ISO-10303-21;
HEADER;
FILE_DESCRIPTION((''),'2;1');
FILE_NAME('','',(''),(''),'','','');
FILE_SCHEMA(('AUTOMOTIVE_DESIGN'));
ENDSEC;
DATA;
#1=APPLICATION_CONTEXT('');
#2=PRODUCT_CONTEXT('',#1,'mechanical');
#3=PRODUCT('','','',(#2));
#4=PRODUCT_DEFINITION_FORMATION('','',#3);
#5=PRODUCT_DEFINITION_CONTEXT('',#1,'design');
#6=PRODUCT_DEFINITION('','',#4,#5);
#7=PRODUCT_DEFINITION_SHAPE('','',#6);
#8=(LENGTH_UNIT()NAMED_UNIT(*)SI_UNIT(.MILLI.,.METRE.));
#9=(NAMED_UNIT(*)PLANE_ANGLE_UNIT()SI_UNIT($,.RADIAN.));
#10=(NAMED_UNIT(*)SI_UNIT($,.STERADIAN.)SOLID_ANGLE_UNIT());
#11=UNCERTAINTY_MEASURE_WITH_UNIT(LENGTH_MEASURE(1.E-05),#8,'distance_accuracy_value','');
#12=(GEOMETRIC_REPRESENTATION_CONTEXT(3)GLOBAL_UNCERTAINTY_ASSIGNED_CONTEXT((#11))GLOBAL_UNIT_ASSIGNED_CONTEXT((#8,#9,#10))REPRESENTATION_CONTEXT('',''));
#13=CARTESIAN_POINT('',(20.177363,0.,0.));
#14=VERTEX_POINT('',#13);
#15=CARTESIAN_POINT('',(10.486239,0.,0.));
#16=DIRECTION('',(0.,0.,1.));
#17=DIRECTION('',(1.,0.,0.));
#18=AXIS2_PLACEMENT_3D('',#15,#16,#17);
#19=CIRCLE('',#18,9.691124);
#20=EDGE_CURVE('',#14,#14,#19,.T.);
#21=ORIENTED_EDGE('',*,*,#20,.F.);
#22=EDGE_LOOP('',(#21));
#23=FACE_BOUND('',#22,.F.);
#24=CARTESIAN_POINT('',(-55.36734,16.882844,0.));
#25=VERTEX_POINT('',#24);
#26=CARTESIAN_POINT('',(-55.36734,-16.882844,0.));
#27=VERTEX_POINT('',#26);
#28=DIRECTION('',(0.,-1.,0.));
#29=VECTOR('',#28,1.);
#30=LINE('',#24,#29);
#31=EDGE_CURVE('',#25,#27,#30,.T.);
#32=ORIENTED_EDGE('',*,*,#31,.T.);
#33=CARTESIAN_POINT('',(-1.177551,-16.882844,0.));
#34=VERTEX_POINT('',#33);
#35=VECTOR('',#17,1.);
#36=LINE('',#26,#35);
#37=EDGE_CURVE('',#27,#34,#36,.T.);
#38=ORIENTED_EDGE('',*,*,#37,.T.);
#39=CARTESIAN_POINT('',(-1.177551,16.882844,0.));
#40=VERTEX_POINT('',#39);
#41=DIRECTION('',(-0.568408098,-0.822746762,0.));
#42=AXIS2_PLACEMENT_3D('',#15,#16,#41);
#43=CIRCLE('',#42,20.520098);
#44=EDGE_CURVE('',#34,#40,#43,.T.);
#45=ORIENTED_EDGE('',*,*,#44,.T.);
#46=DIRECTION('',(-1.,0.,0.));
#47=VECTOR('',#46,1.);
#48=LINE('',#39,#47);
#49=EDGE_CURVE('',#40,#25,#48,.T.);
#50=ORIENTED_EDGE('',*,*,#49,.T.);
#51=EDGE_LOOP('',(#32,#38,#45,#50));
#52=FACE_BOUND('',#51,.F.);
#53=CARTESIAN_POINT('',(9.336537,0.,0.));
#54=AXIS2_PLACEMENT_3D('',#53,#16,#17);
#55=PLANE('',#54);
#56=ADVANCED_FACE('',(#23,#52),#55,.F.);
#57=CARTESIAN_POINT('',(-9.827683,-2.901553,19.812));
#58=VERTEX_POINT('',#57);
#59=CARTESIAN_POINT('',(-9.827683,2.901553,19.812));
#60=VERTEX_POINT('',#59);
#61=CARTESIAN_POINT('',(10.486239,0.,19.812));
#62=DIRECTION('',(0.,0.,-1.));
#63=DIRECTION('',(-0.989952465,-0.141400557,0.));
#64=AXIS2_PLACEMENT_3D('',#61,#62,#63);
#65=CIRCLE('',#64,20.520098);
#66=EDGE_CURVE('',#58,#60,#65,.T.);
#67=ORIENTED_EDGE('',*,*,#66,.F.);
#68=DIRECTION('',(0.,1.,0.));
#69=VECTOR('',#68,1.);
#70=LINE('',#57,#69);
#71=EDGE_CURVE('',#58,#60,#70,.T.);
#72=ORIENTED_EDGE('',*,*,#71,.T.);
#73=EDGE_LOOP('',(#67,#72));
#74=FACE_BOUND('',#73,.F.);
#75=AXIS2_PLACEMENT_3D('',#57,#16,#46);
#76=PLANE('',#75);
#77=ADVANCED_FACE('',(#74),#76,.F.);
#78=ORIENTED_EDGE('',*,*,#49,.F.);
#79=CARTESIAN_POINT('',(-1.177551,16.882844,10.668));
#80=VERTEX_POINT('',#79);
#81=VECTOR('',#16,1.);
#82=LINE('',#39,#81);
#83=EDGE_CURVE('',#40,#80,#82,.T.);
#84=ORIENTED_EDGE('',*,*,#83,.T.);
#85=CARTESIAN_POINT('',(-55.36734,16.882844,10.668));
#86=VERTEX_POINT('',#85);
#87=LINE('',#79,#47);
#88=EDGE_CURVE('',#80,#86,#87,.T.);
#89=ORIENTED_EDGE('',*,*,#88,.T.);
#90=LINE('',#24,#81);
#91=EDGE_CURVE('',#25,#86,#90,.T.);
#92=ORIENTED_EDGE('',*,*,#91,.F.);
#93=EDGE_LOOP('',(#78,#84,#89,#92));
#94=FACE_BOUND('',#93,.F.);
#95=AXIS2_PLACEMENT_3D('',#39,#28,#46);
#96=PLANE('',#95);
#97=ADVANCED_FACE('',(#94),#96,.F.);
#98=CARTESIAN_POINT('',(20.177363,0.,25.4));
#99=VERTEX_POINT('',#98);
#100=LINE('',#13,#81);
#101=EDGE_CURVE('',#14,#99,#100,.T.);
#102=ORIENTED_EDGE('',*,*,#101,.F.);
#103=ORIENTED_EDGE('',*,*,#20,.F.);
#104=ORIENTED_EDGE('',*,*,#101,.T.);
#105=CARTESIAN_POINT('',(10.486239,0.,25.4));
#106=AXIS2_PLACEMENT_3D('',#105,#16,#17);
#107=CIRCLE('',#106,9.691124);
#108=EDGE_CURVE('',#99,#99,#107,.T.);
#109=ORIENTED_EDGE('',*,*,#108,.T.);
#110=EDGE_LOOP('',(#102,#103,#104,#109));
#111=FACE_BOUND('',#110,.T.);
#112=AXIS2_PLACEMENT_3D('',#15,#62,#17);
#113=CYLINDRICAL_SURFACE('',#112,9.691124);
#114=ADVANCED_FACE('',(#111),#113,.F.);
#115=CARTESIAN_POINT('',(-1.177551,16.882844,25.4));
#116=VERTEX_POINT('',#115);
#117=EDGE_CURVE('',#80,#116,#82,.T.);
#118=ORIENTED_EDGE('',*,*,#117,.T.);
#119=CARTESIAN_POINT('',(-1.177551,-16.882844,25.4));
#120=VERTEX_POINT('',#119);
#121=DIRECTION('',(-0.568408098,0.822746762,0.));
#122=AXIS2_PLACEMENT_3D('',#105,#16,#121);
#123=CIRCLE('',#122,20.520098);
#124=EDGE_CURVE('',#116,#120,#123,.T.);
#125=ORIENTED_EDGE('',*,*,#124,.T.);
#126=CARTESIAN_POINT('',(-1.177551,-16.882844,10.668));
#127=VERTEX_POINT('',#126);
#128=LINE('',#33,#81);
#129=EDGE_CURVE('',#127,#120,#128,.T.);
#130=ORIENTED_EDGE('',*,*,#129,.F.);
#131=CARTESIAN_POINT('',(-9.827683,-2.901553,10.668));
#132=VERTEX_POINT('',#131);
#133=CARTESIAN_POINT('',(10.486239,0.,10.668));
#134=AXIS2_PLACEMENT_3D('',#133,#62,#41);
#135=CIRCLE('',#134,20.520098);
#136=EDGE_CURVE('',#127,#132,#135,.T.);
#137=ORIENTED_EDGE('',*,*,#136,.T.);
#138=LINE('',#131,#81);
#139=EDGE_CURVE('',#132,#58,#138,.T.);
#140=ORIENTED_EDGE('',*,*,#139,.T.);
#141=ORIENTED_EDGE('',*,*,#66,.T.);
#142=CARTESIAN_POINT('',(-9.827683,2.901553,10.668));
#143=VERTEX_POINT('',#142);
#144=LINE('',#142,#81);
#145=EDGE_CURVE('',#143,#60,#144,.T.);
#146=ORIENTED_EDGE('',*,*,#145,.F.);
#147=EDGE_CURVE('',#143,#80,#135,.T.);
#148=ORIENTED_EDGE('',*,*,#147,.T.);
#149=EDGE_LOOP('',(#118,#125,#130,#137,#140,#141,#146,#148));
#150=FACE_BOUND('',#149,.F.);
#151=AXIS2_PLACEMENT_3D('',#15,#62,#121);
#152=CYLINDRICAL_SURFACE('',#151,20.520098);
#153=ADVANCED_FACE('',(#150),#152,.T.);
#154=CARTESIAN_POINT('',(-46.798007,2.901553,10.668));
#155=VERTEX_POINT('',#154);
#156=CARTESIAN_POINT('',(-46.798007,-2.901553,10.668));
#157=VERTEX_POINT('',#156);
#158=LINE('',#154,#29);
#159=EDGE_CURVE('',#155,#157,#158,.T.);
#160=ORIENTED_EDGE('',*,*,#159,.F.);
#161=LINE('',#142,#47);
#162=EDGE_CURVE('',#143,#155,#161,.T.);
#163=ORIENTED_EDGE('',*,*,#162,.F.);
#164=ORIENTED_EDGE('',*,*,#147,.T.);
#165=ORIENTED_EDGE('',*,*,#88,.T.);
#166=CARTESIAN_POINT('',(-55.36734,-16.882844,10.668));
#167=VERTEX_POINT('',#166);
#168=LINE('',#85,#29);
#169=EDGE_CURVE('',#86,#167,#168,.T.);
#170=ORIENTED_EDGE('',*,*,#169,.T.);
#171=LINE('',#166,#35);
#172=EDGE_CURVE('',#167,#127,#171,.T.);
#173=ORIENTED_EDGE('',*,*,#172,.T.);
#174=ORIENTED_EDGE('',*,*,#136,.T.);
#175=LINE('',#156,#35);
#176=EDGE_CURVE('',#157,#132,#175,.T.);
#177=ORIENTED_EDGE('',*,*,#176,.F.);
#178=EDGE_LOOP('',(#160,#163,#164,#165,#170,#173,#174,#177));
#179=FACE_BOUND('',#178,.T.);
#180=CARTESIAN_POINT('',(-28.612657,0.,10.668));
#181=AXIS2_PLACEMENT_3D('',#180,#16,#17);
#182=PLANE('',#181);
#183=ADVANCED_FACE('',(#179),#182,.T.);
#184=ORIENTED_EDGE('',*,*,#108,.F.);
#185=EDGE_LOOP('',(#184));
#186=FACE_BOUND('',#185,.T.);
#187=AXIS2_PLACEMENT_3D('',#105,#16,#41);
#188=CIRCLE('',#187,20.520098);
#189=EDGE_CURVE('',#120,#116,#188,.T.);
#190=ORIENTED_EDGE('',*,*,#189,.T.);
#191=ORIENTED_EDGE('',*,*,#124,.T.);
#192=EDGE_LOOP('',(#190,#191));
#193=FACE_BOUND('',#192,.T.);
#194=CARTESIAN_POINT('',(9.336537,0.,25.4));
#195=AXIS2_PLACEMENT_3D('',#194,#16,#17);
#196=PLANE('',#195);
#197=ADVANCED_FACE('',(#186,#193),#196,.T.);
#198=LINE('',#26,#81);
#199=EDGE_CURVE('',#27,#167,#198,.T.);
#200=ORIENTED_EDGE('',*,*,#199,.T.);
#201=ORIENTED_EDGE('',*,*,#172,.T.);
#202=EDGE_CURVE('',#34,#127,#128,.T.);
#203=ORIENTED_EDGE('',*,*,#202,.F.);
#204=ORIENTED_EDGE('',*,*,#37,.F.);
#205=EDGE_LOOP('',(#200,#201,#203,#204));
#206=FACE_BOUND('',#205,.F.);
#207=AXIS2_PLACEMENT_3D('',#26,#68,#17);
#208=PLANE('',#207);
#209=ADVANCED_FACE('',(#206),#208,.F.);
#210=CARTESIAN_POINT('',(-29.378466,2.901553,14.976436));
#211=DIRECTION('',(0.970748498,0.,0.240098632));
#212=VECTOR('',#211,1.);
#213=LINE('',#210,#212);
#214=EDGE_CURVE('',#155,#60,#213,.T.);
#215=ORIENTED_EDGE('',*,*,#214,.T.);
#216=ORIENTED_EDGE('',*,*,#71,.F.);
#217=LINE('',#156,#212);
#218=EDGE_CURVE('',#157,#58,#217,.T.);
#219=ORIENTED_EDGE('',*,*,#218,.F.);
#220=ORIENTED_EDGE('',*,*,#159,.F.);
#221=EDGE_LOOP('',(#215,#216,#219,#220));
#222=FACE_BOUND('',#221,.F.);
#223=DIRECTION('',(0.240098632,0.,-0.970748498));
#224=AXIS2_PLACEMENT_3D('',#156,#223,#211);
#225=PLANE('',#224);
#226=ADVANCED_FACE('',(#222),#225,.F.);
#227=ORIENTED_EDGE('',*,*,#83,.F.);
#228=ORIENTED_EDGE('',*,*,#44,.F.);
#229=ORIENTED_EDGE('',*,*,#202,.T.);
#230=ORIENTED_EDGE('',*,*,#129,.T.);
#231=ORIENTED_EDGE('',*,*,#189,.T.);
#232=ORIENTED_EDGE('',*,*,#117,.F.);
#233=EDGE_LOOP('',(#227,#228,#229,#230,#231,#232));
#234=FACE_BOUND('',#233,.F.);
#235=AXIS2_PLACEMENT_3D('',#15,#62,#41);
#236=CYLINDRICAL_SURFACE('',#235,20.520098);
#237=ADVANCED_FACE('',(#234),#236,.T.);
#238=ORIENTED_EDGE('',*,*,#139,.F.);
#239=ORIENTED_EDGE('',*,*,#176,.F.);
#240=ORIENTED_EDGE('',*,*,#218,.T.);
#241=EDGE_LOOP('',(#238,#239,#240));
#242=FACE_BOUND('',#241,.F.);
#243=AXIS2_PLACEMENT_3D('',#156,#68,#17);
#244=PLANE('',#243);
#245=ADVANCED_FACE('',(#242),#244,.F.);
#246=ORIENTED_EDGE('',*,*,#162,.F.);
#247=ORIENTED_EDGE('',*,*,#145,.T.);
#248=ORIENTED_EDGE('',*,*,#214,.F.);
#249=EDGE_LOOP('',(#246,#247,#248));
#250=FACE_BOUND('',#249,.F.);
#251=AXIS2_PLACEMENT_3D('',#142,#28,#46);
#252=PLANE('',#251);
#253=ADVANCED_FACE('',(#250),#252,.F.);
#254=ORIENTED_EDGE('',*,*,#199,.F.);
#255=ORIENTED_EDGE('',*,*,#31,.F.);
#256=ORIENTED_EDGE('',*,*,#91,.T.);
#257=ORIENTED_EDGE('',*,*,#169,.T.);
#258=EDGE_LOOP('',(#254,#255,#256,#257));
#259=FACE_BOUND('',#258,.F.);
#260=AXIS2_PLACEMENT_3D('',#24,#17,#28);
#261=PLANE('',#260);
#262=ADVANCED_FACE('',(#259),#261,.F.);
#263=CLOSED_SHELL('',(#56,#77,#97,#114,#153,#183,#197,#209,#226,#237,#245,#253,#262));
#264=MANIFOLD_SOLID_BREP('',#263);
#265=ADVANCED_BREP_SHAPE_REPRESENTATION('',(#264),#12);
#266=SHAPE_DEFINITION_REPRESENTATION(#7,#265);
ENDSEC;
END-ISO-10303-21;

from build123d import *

# Parameters (mm, degrees)
F1_DEPTH = 10.668
F0_R     = 9.6911240881
F2_DEPTH = 25.4
F4_DEPTH = 9.144
F6_DEPTH = 23.4226514116


with BuildPart() as f1:
    # F0 (on Top) → F1 (new body)
    with BuildSketch(Plane.XY):
        with BuildLine():
            ThreePointArc((-1.1775513103, -16.8828442693), (-10.0338594761, 0), (-1.1775513103, 16.8828442693))
            Line((-1.1775513103, 16.8828442693), (-55.3673403338, 16.8828442693))
            Line((-55.3673403338, 16.8828442693), (-55.3673403338, -16.8828442693))
            Line((-55.3673403338, -16.8828442693), (-1.1775513103, -16.8828442693))
        make_face()
    extrude(amount=F1_DEPTH)

    # F0 (on Top) → F2 (join)
    with BuildSketch(Plane.XY):
        with BuildLine():
            ThreePointArc((31.0063367483, 0), (20.0186127494, 18.1716336717), (-1.1775513103, 16.8828442693))
            ThreePointArc((-1.1775513103, 16.8828442693), (-10.0338594761, 0), (-1.1775513103, -16.8828442693))
            ThreePointArc((-1.1775513103, -16.8828442693), (20.0186127494, -18.1716336717), (31.0063367483, 0))
        make_face()
        with Locations((10.4862386361, 0)):
            Circle(F0_R, mode=Mode.SUBTRACT)
    extrude(amount=F2_DEPTH)

    # F3 (on face) → F4 (join)
    with BuildSketch(Plane.XY.offset(10.668)):
        with BuildLine():
            ThreePointArc((-9.8276830676, -2.9015532994), (-10.0338594761, 0), (-9.8276830676, 2.9015532994))
            Line((-9.8276830676, 2.9015532994), (-46.7980072435, 2.9015532994))
            Line((-46.7980072435, 2.9015532994), (-46.7980072435, -2.9015532994))
            Line((-46.7980072435, -2.9015532994), (-9.8276830676, -2.9015532994))
        make_face()
    extrude(amount=F4_DEPTH)

    # F5 (on face) → F6 (cut, through all)
    with BuildSketch(Plane.XZ.offset(2.9015532994)):
        Polygon((-46.7980072435, 10.668), (-9.8276830676, 19.812), (-46.7980072435, 19.812), align=None)
    extrude(amount=-F6_DEPTH, mode=Mode.SUBTRACT)


solid = f1.part
